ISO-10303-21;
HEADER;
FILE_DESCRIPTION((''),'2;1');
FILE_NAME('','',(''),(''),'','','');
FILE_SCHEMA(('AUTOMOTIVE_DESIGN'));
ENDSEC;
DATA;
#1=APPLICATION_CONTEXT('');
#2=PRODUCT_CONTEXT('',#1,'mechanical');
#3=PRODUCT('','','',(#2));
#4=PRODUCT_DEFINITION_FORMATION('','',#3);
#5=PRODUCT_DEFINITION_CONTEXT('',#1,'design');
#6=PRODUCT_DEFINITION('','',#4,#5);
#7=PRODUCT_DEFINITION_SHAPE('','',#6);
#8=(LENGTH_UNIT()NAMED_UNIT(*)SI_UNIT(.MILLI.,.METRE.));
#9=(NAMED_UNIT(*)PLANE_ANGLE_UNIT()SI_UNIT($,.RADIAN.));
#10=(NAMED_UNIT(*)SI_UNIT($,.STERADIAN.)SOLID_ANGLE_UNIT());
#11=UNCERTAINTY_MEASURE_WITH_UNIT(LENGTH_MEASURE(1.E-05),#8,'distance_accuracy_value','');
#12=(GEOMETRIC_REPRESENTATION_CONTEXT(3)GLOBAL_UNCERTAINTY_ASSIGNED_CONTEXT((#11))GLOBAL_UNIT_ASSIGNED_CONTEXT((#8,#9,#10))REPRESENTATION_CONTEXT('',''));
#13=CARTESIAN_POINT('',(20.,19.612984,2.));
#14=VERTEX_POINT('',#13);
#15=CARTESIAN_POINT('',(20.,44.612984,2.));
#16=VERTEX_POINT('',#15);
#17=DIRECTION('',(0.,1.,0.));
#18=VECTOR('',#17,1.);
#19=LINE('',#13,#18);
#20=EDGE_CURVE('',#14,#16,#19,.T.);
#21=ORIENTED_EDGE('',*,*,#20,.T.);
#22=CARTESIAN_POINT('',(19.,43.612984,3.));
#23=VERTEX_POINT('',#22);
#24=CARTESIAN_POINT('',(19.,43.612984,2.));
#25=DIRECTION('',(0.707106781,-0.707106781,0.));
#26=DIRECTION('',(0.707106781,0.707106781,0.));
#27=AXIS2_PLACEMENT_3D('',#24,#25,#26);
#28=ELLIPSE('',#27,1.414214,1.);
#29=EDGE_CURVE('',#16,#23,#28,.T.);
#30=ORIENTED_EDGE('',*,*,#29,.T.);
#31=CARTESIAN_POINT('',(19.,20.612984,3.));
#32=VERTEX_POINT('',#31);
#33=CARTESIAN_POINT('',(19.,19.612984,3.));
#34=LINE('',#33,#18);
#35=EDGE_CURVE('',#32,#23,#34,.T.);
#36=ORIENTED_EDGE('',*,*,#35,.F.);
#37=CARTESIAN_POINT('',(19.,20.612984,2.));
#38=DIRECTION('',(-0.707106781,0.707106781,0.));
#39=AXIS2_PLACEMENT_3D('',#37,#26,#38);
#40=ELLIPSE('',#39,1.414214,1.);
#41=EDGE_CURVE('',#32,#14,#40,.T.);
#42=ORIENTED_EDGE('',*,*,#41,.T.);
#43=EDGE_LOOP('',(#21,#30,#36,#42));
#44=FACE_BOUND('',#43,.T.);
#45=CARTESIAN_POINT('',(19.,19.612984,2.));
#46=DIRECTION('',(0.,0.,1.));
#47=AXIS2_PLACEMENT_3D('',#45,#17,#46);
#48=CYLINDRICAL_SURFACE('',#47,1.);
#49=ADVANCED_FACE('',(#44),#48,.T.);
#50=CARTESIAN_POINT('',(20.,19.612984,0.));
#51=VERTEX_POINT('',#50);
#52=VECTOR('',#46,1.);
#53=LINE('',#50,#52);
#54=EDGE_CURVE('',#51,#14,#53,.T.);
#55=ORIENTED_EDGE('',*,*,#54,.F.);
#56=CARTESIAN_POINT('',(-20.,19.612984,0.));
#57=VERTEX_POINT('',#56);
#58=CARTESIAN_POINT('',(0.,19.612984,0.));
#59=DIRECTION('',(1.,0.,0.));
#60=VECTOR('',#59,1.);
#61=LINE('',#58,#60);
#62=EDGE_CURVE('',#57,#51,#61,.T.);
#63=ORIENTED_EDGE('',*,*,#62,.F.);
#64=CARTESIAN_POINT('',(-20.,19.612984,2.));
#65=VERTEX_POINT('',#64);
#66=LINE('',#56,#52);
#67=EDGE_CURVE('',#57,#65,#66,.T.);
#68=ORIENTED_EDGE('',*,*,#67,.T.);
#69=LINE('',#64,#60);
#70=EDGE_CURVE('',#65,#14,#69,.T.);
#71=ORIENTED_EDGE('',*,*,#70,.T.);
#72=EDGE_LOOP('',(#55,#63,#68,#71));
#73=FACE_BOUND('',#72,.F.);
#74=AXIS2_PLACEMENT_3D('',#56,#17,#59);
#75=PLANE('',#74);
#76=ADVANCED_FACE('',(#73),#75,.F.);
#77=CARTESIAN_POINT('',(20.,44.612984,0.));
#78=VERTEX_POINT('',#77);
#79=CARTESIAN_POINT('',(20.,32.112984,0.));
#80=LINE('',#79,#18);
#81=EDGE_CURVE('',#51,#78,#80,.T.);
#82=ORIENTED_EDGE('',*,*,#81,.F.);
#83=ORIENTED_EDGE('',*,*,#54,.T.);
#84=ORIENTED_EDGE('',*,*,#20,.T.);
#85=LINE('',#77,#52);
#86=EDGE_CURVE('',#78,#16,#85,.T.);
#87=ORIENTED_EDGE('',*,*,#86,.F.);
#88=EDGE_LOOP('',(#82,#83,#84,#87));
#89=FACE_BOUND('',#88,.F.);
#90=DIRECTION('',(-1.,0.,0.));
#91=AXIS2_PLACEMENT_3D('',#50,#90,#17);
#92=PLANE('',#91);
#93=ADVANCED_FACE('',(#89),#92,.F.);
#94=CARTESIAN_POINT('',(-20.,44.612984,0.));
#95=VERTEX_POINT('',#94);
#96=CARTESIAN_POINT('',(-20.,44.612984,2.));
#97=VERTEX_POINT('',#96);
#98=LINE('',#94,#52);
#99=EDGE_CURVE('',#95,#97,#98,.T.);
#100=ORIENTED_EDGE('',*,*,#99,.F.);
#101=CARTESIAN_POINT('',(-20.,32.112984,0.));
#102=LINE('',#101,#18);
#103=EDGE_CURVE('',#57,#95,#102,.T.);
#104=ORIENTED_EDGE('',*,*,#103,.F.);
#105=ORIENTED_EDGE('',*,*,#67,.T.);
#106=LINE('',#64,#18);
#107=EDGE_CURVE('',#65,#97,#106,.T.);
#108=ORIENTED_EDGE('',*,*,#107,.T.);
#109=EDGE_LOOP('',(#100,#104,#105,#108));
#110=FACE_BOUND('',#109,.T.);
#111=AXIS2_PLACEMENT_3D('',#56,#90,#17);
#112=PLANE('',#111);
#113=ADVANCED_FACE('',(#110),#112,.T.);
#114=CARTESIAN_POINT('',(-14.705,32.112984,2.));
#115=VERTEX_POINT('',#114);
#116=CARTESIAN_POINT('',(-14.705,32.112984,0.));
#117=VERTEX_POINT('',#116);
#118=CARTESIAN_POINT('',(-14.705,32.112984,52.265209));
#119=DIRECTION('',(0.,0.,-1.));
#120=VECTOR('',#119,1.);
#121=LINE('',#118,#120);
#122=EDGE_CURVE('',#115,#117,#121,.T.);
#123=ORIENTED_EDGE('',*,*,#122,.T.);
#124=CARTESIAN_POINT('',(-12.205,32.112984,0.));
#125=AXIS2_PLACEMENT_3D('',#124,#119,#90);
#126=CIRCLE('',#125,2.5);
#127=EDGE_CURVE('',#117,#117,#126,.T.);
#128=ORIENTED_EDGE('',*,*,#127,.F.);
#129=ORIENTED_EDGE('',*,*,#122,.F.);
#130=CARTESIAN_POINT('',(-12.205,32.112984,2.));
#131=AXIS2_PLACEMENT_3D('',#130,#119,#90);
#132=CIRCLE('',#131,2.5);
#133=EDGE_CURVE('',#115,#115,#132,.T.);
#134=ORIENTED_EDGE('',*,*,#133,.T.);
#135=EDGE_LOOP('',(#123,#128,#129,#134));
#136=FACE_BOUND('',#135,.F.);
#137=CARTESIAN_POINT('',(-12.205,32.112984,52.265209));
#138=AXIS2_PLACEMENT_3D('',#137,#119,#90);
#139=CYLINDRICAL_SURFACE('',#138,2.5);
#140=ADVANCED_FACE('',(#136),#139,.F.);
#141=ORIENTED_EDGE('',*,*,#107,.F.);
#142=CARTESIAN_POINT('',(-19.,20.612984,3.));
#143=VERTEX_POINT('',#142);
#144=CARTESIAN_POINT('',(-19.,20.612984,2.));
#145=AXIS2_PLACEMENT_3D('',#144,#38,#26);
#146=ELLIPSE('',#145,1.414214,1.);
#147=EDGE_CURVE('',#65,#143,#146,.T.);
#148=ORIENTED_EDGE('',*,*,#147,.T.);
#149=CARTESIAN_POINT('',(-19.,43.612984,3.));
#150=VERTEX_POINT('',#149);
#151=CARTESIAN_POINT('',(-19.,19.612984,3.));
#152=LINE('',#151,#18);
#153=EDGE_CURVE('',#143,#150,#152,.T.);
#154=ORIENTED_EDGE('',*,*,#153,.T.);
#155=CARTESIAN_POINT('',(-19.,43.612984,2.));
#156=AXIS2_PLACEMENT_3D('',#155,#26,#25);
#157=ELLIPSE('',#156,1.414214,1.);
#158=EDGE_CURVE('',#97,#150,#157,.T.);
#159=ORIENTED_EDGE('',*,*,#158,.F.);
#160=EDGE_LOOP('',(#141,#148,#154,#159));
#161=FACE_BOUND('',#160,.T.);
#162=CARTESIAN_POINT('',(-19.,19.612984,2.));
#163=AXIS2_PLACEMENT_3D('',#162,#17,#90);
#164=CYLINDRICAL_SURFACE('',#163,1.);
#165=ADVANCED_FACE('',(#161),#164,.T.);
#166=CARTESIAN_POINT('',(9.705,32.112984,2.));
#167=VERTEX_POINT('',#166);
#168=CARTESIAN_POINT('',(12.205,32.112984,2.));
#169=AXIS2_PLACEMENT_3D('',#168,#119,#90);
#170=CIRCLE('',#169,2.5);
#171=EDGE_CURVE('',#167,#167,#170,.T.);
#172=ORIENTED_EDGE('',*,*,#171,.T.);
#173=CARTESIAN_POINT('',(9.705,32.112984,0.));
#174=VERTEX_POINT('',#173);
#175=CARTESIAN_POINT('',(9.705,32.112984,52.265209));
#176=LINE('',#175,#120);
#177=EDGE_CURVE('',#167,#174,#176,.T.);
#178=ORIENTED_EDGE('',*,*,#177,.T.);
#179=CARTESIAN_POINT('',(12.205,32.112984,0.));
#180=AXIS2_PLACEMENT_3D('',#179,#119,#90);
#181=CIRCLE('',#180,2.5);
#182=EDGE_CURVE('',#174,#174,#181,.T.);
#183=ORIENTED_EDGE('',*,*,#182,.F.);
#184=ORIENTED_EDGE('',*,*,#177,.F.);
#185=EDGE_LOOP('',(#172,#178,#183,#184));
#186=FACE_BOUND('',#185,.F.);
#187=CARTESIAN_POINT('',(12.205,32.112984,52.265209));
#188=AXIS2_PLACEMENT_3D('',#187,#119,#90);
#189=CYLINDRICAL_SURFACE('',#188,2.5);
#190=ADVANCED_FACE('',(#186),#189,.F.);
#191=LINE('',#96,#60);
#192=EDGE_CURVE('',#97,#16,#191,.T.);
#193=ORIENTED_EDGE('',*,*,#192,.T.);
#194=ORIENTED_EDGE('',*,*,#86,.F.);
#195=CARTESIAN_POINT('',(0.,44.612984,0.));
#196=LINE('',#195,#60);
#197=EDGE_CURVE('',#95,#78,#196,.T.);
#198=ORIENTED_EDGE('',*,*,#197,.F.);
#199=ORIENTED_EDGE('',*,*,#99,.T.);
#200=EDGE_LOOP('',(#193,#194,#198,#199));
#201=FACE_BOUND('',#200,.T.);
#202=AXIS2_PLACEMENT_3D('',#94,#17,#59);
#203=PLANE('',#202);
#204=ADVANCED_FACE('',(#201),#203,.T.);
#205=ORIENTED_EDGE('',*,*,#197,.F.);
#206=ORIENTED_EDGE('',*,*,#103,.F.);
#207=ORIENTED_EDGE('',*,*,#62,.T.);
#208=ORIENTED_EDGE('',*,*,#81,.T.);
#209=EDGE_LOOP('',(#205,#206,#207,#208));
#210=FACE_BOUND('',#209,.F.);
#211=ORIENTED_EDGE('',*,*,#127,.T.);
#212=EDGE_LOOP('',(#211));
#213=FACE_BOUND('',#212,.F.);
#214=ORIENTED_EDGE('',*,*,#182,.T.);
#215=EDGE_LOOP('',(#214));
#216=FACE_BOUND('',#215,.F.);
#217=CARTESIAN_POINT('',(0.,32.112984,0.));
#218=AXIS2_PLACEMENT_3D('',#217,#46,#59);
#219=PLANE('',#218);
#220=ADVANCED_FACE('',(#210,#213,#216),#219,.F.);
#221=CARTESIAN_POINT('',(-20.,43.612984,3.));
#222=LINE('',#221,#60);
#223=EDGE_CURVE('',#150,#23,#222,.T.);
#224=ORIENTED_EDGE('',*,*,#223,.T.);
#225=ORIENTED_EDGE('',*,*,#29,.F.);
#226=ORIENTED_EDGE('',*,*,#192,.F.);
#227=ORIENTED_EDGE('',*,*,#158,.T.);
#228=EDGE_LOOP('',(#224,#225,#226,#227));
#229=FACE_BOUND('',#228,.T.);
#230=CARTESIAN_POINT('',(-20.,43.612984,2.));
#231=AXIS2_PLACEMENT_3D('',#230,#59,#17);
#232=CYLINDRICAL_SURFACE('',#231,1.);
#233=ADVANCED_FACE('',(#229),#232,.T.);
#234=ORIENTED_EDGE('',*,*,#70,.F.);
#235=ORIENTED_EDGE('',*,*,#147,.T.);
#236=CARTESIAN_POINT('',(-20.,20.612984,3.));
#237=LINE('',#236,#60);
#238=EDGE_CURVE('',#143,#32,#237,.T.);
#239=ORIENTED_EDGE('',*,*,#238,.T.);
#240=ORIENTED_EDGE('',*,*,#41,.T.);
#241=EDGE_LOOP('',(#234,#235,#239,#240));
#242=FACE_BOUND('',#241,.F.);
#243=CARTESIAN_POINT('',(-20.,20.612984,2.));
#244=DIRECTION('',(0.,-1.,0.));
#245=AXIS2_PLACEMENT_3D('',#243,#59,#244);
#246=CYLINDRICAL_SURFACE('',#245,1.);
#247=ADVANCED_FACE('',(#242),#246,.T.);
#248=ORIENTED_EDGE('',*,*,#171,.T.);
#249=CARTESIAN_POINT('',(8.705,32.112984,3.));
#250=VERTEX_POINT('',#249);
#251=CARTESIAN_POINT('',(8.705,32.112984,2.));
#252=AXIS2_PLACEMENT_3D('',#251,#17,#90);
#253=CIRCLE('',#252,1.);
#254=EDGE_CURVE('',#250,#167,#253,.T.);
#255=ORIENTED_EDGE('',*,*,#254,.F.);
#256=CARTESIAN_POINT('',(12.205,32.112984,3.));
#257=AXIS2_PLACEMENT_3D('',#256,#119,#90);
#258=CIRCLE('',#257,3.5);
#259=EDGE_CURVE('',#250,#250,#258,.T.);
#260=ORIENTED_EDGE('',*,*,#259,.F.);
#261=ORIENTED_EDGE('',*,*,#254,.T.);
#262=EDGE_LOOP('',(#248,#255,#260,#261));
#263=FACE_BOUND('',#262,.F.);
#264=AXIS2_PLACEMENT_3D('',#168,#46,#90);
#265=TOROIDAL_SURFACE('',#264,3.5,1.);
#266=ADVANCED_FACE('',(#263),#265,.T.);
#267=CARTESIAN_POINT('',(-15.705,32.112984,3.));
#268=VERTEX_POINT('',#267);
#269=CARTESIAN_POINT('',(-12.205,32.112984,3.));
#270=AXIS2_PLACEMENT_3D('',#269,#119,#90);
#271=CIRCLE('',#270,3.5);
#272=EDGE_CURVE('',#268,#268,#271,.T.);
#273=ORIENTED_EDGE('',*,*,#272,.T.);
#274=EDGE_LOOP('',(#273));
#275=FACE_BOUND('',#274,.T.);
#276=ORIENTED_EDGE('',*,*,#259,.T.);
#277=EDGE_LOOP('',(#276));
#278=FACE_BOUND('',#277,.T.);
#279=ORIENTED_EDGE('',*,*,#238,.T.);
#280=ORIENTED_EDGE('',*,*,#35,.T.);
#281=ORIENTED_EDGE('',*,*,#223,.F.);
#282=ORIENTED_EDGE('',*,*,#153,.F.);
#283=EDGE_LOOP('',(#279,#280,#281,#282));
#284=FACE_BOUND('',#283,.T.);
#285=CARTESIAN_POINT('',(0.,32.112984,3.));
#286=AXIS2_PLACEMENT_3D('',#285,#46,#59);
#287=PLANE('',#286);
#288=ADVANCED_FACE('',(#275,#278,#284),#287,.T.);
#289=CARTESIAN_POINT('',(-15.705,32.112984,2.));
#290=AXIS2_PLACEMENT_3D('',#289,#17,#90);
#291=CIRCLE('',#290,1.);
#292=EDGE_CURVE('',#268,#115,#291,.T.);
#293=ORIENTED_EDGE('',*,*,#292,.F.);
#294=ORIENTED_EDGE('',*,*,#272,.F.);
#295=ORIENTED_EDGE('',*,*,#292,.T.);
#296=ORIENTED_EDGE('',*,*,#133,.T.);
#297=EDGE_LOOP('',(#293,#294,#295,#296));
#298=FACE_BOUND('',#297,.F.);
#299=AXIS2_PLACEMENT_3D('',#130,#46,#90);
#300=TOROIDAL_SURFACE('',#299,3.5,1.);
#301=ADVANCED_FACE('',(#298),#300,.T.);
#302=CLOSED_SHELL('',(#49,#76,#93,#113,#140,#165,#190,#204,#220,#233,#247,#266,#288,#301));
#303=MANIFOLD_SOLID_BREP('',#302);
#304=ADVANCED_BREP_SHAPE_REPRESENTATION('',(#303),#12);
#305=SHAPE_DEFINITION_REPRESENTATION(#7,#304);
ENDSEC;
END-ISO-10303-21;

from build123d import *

# Parameters (mm, degrees)
F0_W     = 40
F0_H     = 25
F1_DEPTH = 3
F4_D     = 5
F5_R     = 1


with BuildPart() as f1:
    # F0 (on Top) → F1 (new body)
    with BuildSketch(Plane.XY):
        with Locations((0, 32.112984)):
            Rectangle(F0_W, F0_H)
    extrude(amount=F1_DEPTH)

    # F4 (through all)
    with Locations(Plane.XY.offset(5)):
        with Locations((-12.205, 32.112984), (12.205, 32.112984)):
            Hole(F4_D / 2)

    # F5
    f5_edges = [f1.edges().sort_by_distance(p)[0] for p in [
        (0, 44.612984, 3),
        (20, 32.112984, 3),
        (-20, 32.112984, 3),
        (0, 19.612984, 3),
        (-14.705, 32.112984, 3),
        (9.705, 32.112984, 3),
    ]]
    fillet(f5_edges, radius=F5_R)


solid = f1.part
